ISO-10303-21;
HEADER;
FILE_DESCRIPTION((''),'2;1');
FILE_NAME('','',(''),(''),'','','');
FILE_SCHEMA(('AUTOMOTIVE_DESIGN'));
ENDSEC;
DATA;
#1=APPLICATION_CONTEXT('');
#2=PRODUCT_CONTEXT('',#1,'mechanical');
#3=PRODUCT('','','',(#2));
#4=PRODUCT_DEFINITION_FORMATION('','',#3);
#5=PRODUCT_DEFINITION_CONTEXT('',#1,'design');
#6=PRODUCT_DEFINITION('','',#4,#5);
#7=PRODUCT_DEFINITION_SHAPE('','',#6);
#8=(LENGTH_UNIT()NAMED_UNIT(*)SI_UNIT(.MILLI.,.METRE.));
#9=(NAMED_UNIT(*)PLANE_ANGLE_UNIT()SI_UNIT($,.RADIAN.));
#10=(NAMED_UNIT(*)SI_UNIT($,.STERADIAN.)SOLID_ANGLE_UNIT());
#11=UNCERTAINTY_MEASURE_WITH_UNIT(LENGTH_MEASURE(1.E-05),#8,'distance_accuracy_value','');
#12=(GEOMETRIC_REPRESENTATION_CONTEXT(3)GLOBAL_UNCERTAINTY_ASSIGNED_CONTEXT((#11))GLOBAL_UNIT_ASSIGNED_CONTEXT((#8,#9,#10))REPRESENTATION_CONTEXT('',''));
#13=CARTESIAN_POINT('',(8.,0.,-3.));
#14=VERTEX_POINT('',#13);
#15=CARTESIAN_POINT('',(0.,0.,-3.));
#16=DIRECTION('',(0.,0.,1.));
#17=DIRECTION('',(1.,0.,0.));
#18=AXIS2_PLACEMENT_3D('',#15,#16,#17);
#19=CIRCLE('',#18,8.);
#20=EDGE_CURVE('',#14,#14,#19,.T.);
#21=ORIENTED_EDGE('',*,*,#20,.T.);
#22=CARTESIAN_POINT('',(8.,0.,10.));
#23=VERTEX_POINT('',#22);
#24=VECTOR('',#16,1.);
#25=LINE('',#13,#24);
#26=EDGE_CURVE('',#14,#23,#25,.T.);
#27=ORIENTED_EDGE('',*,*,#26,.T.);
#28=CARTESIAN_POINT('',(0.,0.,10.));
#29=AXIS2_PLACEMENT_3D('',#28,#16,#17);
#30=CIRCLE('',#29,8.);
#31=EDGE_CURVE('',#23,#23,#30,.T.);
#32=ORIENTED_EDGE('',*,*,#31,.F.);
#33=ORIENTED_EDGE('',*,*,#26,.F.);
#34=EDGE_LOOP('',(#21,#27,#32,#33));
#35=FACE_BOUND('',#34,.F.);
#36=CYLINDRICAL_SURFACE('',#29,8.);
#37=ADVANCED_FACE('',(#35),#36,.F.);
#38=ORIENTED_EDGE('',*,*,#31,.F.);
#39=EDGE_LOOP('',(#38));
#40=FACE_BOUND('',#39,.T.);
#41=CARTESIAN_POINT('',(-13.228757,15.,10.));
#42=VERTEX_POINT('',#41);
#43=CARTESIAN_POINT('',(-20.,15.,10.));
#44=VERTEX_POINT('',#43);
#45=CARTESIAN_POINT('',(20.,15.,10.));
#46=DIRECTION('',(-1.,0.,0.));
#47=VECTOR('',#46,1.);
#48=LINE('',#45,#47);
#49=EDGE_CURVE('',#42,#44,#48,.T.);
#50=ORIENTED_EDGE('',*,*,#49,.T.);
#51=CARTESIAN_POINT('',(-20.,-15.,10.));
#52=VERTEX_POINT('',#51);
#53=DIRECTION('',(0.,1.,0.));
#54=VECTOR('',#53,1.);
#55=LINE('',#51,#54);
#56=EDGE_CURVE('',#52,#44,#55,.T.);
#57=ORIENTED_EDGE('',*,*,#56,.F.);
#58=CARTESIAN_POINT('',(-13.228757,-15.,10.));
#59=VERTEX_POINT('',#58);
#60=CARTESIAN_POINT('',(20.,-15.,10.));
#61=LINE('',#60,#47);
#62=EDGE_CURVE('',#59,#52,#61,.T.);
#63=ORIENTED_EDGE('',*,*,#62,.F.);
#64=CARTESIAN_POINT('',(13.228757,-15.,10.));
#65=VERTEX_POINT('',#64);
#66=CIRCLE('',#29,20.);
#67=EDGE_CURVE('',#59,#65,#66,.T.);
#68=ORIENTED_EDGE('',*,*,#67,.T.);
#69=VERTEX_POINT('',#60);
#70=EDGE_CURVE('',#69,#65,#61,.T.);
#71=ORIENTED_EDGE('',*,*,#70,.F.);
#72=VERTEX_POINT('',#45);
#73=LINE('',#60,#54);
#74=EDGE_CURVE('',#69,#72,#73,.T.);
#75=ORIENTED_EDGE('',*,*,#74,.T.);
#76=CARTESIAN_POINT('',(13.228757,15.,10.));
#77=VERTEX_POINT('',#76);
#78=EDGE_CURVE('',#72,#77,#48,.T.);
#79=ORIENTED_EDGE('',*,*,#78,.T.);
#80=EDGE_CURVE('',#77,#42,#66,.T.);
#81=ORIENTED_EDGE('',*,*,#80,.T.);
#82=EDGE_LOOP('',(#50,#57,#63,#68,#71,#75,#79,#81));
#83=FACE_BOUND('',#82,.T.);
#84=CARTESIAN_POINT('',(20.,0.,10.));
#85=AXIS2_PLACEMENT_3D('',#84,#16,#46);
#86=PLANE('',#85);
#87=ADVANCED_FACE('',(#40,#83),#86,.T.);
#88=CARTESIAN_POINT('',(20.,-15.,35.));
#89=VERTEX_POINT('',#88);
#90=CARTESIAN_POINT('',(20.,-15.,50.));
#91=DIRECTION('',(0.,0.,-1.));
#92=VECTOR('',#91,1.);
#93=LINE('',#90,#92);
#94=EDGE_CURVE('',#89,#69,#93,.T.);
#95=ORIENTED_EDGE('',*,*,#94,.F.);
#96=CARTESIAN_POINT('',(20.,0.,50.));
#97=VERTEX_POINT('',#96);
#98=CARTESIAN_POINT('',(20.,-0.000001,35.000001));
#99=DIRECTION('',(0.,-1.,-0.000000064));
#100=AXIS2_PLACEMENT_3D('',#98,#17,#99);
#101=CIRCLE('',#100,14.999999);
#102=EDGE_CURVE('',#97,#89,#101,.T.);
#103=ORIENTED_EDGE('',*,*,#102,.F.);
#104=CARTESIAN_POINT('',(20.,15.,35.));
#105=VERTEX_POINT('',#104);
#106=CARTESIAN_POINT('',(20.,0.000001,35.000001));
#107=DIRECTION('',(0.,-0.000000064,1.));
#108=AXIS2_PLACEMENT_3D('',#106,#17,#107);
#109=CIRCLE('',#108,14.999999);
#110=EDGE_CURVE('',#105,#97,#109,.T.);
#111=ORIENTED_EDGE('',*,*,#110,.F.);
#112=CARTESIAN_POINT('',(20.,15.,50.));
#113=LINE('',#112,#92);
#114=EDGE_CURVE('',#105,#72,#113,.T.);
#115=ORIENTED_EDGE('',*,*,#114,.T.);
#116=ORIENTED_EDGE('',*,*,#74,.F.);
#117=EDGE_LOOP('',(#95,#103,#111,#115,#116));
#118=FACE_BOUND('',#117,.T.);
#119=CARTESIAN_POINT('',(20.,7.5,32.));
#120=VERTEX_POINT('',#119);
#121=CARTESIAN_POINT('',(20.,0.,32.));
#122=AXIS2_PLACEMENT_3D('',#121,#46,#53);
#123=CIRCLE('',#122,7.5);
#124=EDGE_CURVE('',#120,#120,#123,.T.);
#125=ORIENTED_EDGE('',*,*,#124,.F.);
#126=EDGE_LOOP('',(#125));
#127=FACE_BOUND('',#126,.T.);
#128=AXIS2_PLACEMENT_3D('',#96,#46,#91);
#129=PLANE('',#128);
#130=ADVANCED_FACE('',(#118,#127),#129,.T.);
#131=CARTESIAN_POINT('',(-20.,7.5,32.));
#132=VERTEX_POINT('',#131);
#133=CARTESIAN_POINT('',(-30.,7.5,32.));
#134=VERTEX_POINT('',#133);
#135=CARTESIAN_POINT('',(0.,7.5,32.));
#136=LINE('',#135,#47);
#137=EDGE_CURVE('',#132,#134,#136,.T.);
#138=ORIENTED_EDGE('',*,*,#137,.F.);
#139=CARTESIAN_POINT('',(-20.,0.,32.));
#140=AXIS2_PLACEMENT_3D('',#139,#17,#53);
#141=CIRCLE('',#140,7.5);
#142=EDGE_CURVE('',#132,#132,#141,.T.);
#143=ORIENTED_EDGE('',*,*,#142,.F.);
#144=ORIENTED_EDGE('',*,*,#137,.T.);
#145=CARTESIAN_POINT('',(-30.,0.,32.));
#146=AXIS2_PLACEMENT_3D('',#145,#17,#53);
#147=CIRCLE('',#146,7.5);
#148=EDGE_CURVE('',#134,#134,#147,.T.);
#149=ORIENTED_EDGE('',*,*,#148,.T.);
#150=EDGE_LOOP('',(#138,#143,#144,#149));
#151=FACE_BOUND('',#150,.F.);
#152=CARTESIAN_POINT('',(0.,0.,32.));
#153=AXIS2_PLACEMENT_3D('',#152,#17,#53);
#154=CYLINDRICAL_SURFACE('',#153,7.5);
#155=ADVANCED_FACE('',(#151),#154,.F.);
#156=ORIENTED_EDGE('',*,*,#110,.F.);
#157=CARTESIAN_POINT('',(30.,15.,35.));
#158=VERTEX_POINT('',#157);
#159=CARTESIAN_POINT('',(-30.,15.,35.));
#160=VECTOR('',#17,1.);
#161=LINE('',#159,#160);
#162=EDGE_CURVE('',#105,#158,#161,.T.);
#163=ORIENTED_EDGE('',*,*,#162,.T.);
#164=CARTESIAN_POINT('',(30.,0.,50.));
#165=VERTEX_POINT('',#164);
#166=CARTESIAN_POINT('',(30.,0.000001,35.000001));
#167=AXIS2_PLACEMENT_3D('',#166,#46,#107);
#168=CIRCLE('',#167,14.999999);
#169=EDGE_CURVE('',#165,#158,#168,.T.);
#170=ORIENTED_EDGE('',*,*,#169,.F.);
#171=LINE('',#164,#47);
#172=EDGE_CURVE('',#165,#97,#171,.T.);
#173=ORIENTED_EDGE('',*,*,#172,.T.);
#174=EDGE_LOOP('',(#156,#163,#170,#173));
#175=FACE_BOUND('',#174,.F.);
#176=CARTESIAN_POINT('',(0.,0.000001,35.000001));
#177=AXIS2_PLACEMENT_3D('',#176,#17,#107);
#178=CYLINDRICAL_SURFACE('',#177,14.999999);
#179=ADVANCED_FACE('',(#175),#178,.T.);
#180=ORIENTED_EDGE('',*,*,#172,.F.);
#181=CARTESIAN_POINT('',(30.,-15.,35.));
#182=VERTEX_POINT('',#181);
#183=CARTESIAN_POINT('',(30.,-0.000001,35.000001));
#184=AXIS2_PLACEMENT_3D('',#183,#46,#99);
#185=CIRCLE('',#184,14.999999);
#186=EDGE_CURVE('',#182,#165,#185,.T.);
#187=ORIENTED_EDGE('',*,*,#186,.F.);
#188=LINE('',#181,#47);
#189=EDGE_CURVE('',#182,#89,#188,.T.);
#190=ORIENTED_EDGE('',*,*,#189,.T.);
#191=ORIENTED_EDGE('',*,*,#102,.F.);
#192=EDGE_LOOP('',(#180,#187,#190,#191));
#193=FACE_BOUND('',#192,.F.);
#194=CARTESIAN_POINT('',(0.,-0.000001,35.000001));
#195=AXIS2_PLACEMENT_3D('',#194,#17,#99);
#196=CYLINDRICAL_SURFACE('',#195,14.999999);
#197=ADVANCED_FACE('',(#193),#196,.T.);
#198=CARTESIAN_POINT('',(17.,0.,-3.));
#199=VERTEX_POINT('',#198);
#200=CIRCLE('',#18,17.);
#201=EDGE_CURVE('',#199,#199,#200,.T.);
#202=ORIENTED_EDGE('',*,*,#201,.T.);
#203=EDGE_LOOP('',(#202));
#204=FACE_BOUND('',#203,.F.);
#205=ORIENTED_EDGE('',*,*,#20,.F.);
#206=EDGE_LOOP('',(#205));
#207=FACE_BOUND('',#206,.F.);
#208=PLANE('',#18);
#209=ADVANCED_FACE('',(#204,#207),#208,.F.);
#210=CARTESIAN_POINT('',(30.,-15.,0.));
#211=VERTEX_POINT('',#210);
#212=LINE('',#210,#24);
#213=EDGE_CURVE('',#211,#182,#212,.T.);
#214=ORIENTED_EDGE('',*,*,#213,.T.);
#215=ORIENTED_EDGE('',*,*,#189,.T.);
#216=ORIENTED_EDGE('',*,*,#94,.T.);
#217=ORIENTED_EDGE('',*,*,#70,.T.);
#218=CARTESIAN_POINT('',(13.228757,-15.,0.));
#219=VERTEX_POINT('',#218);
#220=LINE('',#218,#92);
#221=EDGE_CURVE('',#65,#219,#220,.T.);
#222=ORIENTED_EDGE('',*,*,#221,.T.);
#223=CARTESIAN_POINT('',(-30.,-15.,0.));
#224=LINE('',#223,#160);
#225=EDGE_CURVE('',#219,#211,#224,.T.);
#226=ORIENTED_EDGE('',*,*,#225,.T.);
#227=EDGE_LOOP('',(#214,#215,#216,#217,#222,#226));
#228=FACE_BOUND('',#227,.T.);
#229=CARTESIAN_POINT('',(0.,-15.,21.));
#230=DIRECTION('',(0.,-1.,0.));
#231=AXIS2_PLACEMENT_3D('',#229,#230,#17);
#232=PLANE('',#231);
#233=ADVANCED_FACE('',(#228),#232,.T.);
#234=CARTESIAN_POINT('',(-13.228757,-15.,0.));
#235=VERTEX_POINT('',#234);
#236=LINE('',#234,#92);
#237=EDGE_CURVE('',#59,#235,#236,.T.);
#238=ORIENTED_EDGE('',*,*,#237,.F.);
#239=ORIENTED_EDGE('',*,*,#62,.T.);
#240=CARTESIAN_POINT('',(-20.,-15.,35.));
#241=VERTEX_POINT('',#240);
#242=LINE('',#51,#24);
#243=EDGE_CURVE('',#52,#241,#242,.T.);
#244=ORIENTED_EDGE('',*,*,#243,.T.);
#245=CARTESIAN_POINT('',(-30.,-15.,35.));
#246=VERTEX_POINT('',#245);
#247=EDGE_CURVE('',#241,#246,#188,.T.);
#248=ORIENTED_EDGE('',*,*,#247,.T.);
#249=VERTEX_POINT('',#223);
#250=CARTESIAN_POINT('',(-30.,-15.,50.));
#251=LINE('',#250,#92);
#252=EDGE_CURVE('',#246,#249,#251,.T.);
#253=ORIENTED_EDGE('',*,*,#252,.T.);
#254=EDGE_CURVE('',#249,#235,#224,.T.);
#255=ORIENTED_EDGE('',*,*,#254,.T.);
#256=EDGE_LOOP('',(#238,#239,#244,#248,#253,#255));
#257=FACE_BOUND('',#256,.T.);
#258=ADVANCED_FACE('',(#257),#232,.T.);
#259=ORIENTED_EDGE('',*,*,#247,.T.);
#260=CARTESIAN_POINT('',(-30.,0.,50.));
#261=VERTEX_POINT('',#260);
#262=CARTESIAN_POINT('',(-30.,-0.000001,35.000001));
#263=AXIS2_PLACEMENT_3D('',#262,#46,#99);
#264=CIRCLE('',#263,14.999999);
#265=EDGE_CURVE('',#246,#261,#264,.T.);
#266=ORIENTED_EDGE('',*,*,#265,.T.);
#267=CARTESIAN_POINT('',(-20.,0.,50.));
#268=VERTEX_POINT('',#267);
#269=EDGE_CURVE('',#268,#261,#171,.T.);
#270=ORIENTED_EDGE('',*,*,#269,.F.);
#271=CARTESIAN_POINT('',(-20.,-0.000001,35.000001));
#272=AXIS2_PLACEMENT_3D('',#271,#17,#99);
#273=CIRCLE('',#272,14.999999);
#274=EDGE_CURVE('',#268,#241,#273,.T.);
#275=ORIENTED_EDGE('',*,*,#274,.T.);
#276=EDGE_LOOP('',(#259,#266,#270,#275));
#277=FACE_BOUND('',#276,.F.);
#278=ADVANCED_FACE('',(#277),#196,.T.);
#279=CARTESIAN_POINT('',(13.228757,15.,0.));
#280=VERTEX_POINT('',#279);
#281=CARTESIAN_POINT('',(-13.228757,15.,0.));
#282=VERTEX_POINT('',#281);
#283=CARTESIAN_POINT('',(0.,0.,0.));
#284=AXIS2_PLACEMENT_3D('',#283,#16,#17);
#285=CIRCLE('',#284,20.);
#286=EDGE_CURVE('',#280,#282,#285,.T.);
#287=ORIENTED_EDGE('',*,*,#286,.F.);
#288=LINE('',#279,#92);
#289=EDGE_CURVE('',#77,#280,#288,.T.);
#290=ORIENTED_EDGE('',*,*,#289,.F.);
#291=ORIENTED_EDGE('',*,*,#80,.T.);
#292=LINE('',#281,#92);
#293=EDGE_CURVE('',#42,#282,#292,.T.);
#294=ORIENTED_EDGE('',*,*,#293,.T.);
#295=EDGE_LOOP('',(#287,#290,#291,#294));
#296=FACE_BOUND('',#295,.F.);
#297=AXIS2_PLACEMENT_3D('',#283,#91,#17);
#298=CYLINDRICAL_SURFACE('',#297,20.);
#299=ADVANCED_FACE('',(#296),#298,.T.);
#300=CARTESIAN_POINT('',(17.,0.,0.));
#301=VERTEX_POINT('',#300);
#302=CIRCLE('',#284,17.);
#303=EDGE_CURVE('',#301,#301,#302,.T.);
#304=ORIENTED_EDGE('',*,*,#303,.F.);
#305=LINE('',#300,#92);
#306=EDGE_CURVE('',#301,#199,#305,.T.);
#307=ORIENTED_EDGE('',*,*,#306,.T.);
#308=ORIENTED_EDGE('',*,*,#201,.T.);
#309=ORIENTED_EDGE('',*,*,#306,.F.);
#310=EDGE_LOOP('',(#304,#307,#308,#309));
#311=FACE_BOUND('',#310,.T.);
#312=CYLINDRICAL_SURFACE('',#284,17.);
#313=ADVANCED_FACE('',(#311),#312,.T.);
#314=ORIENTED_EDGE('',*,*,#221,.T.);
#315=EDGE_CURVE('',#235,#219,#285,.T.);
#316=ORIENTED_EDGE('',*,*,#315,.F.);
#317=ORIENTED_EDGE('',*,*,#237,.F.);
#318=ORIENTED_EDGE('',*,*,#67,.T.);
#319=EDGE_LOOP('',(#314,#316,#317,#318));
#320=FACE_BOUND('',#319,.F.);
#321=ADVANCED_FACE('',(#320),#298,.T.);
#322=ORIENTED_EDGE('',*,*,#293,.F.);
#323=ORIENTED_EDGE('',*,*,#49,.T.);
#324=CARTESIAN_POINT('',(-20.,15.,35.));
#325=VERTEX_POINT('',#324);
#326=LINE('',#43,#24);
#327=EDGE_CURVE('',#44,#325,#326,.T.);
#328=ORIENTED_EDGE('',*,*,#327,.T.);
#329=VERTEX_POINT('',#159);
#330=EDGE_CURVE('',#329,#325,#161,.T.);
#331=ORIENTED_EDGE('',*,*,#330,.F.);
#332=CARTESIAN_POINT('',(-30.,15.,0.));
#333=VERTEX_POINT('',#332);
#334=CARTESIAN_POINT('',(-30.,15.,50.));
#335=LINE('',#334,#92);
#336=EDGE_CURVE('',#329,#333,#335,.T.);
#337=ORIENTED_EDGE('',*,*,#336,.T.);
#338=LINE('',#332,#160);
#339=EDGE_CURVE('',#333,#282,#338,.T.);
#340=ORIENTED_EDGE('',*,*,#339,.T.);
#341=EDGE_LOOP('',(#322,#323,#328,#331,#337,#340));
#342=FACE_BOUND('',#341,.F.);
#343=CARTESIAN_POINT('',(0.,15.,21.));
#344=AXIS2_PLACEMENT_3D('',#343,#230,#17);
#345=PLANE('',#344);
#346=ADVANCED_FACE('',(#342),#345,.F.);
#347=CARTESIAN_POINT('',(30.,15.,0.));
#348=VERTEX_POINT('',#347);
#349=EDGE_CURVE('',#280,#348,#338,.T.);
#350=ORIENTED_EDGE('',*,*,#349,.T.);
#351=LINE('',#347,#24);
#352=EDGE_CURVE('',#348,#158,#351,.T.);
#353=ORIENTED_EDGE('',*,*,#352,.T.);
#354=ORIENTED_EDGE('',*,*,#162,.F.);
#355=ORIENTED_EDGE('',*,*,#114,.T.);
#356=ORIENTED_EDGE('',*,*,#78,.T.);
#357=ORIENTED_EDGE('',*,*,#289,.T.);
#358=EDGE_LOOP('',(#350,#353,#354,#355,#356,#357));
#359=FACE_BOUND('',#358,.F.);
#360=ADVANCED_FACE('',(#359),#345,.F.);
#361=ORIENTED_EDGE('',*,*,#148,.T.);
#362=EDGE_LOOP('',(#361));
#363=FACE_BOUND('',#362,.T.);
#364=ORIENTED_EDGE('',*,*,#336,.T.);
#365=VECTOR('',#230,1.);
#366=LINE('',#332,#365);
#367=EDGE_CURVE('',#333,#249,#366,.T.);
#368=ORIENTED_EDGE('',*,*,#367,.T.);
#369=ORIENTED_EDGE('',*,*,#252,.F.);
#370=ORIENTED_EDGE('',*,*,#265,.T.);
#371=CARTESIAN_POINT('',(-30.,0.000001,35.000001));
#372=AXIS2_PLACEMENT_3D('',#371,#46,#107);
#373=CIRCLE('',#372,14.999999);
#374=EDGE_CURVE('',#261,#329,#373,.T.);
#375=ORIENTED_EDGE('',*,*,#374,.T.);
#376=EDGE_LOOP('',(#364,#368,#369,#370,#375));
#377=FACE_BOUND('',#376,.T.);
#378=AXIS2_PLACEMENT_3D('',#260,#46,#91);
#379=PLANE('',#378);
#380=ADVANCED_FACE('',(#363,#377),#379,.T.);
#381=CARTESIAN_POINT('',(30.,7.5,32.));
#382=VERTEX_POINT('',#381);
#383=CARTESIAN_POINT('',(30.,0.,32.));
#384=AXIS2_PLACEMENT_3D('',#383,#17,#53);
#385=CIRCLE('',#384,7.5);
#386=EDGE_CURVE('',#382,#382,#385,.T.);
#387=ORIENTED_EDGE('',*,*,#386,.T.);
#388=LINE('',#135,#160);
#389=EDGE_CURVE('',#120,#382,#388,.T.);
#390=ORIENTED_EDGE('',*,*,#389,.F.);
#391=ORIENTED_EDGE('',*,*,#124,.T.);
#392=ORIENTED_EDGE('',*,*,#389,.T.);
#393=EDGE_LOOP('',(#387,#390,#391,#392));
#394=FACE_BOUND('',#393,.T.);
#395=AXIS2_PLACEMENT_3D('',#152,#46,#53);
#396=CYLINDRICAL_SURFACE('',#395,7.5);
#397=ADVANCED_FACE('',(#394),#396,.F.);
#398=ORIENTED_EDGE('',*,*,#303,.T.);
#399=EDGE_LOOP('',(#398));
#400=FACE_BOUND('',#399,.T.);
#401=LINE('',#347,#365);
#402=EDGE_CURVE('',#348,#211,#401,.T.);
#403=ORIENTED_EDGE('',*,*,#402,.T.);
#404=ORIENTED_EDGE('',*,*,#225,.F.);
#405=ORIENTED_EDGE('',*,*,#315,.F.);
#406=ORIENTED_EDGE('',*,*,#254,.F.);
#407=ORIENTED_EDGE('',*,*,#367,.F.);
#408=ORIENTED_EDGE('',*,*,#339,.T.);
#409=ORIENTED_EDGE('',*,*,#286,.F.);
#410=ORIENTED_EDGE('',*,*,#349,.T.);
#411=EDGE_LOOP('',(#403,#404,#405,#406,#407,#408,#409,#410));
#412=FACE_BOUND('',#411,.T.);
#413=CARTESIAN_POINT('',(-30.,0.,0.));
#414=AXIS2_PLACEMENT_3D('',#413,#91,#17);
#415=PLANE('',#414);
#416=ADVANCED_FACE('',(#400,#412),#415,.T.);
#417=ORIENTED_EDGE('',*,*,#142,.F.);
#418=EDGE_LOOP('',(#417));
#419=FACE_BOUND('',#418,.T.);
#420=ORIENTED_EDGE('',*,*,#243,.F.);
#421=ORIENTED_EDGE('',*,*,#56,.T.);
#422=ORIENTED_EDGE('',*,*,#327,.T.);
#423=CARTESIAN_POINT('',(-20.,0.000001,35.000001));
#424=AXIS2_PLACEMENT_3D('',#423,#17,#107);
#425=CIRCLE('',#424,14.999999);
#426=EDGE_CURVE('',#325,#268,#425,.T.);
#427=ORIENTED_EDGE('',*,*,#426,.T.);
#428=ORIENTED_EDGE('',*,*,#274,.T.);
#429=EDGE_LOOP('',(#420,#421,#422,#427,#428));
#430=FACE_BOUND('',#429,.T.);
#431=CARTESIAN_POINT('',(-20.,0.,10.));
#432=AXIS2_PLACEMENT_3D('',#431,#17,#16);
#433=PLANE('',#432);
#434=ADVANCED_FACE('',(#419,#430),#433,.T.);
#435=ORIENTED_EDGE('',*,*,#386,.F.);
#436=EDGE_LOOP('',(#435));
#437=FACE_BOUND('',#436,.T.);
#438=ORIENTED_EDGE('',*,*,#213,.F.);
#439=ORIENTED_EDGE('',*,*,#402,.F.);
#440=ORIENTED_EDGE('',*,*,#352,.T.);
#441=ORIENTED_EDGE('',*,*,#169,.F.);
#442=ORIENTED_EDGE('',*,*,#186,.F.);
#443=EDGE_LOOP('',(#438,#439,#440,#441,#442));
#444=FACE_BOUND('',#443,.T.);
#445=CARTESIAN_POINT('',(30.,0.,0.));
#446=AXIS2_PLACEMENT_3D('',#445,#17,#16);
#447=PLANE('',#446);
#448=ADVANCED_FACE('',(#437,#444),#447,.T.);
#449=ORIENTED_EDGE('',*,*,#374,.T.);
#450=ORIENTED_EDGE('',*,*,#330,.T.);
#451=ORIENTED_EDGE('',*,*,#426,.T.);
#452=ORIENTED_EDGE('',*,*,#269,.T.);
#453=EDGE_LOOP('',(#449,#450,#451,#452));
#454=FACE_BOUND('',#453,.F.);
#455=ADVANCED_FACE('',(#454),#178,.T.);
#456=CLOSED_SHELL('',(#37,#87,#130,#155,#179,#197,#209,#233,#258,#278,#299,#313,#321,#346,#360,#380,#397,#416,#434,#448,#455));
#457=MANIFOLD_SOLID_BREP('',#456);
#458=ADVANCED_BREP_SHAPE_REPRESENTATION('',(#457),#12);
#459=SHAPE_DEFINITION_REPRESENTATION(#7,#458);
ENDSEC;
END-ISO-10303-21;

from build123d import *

# Parameters (mm, degrees)
F0_R     = 20
F0_R_2   = 8
F1_DEPTH = 10
F2_R     = 17
F2_R_2   = 8
F3_DEPTH = 3
F5_DEPTH = 15
F6_R     = 8
F7_DEPTH = 25
F8_R     = 7.5
F9_DEPTH = 30


with BuildPart() as f1:
    # F0 (on Top) → F1 (new body)
    with BuildSketch(Plane.XY):
        Circle(F0_R)
        Circle(F0_R_2, mode=Mode.SUBTRACT)
    extrude(amount=F1_DEPTH)

    # F2 (on Top) → F3 (join)
    with BuildSketch(Plane.XY):
        Circle(F2_R)
        Circle(F2_R_2, mode=Mode.SUBTRACT)
    extrude(amount=-F3_DEPTH)

    # F4 (on Front) → F5 (join, symmetric)
    with BuildSketch(Plane.XZ):
        Polygon((-30, 50), (-30, 0), (30, 0), (30, 50), (20, 50), (20, 10), (-20, 10), (-20, 50), align=None)
    extrude(amount=F5_DEPTH, both=True)

    # F6 (on face) → F7 (cut)
    with BuildSketch(Plane.XY.offset(10)):
        Circle(F6_R)
    extrude(amount=-F7_DEPTH, mode=Mode.SUBTRACT)

    # F8 (on Right) → F9 (cut, symmetric)
    with BuildSketch(Plane.YZ):
        with Locations((0, 32)):
            Circle(F8_R)
        with BuildLine():
            ThreePointArc((-15, 35), (-10.606602, 45.606602), (0, 50))
            Line((0, 50), (-15, 50))
            Line((-15, 50), (-15, 35))
        make_face()
        with BuildLine():
            ThreePointArc((0, 50), (10.606602, 45.606602), (15, 35))
            Line((15, 35), (15, 50))
            Line((15, 50), (0, 50))
        make_face()
    extrude(amount=F9_DEPTH, both=True, mode=Mode.SUBTRACT)


solid = f1.part
